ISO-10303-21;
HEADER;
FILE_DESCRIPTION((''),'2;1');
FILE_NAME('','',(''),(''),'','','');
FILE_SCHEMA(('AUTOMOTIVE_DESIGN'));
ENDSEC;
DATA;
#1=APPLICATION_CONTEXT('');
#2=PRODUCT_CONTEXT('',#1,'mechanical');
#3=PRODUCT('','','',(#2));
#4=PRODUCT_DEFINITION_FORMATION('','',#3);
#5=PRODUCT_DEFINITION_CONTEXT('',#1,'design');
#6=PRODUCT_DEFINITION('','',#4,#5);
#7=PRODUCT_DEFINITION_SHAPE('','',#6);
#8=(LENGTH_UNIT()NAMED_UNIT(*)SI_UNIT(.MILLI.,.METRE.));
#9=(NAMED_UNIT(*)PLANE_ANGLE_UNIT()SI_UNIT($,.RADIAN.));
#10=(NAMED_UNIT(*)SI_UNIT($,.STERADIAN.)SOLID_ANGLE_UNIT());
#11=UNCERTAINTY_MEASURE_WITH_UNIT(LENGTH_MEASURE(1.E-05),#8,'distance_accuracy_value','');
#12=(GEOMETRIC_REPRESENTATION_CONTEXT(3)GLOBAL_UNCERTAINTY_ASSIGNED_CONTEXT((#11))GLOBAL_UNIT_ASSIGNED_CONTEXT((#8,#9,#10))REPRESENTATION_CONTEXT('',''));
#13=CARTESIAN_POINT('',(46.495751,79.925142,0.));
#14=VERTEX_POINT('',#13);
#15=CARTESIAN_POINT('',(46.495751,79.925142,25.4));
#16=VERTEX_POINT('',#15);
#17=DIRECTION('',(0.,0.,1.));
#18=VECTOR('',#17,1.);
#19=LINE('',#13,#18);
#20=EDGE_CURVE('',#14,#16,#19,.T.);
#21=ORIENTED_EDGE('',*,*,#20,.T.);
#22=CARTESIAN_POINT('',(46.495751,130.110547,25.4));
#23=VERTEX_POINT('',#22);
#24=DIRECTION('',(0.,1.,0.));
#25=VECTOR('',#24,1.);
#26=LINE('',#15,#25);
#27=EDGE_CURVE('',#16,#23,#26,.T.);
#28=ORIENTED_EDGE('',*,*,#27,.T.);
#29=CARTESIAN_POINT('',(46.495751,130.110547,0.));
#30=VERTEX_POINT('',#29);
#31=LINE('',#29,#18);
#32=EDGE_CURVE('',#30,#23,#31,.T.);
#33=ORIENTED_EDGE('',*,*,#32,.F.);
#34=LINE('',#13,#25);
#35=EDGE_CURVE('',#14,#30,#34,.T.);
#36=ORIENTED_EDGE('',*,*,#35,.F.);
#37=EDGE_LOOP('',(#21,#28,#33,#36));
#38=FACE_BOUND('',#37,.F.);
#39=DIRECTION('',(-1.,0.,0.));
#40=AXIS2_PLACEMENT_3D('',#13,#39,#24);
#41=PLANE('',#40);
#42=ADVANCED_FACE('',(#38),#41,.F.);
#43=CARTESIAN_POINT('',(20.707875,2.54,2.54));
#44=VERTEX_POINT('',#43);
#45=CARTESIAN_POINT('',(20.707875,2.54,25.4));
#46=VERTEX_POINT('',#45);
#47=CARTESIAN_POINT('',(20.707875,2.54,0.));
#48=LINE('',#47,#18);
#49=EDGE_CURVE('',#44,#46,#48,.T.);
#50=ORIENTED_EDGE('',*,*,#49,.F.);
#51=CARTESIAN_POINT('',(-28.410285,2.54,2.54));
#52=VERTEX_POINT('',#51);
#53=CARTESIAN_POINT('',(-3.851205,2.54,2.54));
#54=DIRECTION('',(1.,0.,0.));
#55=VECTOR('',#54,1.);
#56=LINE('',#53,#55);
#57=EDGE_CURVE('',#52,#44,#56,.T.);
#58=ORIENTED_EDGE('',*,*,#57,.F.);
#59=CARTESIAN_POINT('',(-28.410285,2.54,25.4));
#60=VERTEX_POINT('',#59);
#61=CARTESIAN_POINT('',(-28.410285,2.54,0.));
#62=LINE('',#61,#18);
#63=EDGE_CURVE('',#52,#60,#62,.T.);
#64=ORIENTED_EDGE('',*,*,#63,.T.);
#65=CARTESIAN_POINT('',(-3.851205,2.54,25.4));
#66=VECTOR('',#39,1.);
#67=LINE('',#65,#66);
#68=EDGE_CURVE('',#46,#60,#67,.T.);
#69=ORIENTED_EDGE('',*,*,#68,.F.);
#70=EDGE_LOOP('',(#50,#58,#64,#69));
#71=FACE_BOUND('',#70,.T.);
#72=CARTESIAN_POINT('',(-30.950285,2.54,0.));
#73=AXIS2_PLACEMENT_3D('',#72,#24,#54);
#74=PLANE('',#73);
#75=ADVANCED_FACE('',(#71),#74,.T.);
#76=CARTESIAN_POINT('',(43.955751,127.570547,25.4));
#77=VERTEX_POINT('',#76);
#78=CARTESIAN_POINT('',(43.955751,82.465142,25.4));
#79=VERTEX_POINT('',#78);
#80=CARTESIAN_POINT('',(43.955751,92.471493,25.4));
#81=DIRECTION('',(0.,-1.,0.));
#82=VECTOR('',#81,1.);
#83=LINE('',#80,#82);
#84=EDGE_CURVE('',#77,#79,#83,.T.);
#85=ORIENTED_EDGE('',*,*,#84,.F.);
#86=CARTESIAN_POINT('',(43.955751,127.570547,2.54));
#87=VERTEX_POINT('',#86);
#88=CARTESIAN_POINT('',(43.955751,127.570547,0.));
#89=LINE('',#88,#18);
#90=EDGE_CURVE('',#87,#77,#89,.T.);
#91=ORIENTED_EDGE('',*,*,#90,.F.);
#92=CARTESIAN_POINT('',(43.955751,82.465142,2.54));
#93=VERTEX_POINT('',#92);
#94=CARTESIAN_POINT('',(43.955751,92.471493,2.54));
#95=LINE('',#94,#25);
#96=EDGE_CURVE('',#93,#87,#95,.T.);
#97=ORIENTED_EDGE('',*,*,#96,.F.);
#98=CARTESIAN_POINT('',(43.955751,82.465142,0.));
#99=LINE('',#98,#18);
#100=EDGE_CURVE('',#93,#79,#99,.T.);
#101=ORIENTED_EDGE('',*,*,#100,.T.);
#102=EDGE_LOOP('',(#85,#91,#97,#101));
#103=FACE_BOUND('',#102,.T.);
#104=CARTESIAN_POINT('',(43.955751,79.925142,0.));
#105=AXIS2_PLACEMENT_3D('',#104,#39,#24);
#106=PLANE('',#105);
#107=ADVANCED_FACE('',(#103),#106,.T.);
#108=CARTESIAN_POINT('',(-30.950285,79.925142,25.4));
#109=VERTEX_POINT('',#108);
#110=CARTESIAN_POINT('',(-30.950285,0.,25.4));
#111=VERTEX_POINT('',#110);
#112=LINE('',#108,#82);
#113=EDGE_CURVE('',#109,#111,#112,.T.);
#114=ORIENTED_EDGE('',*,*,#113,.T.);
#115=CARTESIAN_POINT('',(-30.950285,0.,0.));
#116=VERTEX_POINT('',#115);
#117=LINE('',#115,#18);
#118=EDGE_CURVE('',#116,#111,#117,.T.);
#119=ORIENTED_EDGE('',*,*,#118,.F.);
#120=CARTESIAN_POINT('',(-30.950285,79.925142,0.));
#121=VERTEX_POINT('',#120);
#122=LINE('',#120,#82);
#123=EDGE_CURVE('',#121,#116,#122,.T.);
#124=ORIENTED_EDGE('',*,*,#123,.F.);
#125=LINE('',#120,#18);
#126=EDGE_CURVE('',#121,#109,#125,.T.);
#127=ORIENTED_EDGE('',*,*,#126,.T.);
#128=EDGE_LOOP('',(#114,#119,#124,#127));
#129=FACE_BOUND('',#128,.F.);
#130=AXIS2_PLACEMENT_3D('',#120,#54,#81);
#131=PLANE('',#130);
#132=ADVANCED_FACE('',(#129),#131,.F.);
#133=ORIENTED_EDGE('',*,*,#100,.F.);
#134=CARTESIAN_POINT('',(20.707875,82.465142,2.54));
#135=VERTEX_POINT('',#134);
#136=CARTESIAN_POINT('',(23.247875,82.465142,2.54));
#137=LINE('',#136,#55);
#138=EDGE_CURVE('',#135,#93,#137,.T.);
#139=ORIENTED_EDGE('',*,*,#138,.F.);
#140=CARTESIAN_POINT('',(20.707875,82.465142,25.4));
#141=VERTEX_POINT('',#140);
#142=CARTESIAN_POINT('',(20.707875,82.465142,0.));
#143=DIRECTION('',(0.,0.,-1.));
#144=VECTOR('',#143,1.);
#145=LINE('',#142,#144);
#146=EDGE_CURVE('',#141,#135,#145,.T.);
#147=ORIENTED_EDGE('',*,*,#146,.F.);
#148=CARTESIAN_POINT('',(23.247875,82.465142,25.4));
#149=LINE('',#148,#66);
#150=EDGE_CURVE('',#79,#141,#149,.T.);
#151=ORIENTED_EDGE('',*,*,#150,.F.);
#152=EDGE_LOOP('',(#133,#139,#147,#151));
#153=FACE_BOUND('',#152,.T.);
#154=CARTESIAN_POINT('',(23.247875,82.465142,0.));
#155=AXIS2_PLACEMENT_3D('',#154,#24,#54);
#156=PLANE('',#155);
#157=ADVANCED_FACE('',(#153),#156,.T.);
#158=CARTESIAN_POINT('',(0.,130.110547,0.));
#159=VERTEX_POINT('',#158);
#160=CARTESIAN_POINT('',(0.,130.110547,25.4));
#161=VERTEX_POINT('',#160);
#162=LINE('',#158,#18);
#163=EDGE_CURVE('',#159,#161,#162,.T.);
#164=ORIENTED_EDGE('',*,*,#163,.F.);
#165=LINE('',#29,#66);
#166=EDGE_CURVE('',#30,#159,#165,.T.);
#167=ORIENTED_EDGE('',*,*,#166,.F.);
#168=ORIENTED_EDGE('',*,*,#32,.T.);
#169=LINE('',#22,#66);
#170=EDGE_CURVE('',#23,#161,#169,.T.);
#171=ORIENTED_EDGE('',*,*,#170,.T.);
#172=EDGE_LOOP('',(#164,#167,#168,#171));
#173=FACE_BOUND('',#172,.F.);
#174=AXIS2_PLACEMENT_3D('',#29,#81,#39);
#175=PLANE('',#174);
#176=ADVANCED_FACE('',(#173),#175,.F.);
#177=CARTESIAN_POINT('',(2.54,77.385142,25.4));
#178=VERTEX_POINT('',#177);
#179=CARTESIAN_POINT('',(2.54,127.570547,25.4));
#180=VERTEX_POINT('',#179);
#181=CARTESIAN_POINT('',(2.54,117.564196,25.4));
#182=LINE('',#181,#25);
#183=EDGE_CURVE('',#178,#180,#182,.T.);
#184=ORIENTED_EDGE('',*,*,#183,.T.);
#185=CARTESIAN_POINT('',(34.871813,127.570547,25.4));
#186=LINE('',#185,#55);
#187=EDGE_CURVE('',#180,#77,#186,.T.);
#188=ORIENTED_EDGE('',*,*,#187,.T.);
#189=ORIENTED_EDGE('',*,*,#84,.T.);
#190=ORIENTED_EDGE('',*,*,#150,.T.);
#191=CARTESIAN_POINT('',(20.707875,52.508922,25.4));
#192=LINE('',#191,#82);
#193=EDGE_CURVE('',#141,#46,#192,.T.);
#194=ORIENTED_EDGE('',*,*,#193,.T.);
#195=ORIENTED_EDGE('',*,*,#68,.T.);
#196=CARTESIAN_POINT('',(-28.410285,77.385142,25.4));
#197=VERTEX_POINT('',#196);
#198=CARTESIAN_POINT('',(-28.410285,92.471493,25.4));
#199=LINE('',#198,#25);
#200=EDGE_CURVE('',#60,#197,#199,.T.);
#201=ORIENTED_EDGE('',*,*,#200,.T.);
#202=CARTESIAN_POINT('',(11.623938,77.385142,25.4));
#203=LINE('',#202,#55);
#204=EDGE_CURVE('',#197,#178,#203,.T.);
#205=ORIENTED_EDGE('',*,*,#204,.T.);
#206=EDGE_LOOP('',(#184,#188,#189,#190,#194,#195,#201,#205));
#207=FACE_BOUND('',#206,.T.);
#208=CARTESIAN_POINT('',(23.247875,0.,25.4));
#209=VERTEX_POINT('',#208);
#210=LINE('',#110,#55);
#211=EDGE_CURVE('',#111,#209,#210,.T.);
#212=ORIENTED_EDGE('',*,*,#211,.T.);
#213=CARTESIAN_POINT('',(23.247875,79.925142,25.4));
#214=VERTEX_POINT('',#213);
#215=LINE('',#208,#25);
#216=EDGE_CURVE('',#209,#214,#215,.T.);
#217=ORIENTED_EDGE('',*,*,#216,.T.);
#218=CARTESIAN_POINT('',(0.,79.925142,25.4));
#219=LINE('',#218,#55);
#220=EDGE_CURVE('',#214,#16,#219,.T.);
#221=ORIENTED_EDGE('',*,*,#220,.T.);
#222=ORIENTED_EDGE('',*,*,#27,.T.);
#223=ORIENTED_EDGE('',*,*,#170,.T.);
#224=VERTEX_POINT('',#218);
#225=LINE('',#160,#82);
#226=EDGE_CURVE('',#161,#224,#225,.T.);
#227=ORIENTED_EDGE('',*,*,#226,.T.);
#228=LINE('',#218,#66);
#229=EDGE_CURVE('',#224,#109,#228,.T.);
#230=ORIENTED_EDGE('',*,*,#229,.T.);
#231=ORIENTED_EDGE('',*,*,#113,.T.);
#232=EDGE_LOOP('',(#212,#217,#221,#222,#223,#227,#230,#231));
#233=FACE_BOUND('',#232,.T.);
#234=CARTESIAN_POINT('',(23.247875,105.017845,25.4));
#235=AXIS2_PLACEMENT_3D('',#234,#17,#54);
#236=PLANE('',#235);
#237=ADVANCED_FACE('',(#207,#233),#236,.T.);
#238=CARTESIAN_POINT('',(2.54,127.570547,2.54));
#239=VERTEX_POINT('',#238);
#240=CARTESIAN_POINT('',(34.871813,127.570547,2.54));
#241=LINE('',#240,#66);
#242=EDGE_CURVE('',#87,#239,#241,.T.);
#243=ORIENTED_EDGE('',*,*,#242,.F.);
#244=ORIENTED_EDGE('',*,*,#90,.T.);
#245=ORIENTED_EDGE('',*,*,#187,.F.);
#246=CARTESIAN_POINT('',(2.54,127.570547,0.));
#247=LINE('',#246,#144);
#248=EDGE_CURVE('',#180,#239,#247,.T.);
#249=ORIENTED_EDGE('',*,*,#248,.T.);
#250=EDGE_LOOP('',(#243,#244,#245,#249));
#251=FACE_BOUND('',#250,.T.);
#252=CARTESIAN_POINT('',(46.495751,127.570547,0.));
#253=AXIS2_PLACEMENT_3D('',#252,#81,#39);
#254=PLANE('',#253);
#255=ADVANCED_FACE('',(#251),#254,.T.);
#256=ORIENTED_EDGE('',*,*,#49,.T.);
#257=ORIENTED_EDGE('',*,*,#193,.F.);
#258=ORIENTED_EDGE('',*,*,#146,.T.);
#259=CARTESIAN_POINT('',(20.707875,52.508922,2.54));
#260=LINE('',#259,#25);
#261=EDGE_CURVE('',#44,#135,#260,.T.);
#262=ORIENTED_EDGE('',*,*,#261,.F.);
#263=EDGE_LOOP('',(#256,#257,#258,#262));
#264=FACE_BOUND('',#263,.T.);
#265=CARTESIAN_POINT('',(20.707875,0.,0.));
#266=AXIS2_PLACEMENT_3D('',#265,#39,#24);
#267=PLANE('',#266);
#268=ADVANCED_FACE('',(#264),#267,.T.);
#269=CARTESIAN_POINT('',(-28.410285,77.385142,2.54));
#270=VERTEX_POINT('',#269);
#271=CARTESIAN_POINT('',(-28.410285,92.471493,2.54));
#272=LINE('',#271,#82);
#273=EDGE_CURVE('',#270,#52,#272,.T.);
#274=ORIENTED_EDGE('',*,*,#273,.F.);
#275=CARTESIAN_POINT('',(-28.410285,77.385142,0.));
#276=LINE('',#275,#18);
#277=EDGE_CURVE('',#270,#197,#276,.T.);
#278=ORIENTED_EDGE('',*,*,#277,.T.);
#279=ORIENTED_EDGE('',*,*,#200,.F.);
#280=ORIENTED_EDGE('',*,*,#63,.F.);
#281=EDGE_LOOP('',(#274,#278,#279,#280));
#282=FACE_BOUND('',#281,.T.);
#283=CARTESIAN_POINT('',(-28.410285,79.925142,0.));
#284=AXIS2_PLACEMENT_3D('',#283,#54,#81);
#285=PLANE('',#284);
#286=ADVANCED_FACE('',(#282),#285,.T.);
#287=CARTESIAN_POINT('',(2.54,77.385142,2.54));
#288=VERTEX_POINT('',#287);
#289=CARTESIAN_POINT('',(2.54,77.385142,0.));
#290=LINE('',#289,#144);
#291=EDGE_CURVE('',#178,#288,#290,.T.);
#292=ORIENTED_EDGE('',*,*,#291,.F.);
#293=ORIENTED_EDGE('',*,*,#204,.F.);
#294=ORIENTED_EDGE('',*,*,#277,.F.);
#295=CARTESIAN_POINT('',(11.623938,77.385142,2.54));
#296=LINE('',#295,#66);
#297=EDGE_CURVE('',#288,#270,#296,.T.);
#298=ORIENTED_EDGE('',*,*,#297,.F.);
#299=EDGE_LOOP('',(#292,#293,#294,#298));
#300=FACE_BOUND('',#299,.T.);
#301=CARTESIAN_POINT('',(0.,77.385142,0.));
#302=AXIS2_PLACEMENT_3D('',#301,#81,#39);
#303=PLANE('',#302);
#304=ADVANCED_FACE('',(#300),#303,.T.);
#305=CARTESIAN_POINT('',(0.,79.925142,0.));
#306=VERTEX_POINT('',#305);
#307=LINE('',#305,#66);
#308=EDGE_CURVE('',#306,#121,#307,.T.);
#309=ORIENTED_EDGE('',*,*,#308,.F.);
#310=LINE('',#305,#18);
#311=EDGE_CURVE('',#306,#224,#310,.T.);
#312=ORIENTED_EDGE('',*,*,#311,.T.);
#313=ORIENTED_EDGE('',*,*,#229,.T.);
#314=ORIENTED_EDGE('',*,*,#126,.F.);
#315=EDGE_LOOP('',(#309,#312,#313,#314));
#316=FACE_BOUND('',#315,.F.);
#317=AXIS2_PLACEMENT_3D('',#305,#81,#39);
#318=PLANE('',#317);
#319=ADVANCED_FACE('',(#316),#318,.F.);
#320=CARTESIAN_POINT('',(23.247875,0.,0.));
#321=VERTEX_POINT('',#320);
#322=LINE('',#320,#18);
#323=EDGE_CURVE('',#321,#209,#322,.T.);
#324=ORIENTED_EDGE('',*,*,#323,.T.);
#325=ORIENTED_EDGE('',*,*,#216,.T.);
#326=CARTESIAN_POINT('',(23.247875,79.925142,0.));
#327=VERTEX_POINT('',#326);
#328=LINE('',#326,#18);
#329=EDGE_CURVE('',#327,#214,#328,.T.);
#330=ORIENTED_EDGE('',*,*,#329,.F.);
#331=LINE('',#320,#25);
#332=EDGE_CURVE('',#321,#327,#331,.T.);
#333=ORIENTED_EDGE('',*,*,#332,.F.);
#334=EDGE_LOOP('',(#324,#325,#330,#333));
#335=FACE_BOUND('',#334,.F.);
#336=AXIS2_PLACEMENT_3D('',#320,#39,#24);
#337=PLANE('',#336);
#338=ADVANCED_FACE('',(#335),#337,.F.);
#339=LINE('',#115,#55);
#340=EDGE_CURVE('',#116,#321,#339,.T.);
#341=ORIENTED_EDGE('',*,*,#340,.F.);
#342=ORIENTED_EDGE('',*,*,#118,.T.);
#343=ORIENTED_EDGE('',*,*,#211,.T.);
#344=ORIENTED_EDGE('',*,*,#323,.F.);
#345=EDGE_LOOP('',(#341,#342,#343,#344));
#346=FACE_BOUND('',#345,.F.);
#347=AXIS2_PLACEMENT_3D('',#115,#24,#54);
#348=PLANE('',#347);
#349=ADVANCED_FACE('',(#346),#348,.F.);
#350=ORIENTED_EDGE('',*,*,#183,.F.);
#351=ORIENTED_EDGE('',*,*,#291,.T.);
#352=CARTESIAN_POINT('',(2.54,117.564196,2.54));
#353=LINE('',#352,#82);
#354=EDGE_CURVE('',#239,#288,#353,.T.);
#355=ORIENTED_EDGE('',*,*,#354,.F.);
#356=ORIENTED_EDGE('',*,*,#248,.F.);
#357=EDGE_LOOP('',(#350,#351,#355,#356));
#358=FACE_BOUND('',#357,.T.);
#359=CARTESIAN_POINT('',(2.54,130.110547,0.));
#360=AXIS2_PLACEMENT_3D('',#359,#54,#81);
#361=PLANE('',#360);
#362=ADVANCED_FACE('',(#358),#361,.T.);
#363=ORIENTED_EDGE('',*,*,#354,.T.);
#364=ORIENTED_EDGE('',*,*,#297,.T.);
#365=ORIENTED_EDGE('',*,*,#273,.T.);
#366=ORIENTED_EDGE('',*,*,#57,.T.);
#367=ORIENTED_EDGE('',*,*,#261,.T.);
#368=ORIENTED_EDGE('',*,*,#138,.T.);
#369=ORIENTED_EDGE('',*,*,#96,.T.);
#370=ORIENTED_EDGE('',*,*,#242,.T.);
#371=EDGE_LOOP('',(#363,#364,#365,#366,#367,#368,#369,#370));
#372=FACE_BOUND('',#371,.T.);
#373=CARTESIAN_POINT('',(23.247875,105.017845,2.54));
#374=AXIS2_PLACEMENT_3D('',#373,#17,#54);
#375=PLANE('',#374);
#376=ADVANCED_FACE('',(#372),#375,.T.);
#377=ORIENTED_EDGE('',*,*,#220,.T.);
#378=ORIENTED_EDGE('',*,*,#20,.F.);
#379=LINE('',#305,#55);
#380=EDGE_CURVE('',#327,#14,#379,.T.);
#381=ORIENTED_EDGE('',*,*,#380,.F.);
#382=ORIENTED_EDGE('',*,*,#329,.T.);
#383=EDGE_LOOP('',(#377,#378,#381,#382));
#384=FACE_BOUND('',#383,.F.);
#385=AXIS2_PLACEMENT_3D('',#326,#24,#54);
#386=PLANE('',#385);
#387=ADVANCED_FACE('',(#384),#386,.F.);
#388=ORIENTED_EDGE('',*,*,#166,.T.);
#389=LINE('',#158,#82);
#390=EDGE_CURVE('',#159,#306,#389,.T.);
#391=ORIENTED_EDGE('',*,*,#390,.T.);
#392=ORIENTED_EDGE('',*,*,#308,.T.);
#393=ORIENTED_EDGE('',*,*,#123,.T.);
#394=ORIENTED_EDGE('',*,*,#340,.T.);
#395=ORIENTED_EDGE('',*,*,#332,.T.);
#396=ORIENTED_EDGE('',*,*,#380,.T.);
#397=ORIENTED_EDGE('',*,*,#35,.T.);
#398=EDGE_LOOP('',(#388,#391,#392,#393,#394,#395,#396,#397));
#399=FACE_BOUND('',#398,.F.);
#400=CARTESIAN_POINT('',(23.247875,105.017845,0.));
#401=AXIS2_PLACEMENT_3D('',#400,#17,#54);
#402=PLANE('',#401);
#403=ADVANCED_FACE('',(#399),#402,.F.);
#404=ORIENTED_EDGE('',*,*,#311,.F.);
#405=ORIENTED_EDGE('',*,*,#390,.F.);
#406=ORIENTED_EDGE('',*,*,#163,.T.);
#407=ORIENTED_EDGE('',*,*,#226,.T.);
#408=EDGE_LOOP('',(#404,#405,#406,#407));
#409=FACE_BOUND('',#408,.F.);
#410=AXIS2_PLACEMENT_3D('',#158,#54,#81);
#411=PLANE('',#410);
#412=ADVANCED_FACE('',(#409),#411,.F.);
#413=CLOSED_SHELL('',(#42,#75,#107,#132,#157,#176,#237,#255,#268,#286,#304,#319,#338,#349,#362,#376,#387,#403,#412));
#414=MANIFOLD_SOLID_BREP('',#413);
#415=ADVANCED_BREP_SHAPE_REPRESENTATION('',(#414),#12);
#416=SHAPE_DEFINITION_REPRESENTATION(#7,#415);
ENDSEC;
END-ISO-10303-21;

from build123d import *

# Parameters (mm, degrees)
F1_DEPTH = 25.4
F2_T     = -2.54


with BuildPart() as f1:
    # F0 (on Top) → F1 (new body)
    with BuildSketch(Plane.XY):
        Polygon((0, 130.1105469465), (0, 79.9251422286), (23.2478752732, 79.9251422286), (46.4957505465, 79.9251422286), (46.4957505465, 130.1105469465), align=None)
        Polygon((23.2478752732, 79.9251422286), (0, 79.9251422286), (-30.9502854943, 79.9251422286), (-30.9502854943, 0), (23.2478752732, 0), align=None)
    extrude(amount=F1_DEPTH)

    # F2
    f2_openings = [f1.faces().sort_by_distance(p)[0] for p in [
        (5.635859, 62.737644, 25.4),
    ]]
    offset(amount=F2_T, openings=f2_openings, kind=Kind.INTERSECTION)


solid = f1.part
